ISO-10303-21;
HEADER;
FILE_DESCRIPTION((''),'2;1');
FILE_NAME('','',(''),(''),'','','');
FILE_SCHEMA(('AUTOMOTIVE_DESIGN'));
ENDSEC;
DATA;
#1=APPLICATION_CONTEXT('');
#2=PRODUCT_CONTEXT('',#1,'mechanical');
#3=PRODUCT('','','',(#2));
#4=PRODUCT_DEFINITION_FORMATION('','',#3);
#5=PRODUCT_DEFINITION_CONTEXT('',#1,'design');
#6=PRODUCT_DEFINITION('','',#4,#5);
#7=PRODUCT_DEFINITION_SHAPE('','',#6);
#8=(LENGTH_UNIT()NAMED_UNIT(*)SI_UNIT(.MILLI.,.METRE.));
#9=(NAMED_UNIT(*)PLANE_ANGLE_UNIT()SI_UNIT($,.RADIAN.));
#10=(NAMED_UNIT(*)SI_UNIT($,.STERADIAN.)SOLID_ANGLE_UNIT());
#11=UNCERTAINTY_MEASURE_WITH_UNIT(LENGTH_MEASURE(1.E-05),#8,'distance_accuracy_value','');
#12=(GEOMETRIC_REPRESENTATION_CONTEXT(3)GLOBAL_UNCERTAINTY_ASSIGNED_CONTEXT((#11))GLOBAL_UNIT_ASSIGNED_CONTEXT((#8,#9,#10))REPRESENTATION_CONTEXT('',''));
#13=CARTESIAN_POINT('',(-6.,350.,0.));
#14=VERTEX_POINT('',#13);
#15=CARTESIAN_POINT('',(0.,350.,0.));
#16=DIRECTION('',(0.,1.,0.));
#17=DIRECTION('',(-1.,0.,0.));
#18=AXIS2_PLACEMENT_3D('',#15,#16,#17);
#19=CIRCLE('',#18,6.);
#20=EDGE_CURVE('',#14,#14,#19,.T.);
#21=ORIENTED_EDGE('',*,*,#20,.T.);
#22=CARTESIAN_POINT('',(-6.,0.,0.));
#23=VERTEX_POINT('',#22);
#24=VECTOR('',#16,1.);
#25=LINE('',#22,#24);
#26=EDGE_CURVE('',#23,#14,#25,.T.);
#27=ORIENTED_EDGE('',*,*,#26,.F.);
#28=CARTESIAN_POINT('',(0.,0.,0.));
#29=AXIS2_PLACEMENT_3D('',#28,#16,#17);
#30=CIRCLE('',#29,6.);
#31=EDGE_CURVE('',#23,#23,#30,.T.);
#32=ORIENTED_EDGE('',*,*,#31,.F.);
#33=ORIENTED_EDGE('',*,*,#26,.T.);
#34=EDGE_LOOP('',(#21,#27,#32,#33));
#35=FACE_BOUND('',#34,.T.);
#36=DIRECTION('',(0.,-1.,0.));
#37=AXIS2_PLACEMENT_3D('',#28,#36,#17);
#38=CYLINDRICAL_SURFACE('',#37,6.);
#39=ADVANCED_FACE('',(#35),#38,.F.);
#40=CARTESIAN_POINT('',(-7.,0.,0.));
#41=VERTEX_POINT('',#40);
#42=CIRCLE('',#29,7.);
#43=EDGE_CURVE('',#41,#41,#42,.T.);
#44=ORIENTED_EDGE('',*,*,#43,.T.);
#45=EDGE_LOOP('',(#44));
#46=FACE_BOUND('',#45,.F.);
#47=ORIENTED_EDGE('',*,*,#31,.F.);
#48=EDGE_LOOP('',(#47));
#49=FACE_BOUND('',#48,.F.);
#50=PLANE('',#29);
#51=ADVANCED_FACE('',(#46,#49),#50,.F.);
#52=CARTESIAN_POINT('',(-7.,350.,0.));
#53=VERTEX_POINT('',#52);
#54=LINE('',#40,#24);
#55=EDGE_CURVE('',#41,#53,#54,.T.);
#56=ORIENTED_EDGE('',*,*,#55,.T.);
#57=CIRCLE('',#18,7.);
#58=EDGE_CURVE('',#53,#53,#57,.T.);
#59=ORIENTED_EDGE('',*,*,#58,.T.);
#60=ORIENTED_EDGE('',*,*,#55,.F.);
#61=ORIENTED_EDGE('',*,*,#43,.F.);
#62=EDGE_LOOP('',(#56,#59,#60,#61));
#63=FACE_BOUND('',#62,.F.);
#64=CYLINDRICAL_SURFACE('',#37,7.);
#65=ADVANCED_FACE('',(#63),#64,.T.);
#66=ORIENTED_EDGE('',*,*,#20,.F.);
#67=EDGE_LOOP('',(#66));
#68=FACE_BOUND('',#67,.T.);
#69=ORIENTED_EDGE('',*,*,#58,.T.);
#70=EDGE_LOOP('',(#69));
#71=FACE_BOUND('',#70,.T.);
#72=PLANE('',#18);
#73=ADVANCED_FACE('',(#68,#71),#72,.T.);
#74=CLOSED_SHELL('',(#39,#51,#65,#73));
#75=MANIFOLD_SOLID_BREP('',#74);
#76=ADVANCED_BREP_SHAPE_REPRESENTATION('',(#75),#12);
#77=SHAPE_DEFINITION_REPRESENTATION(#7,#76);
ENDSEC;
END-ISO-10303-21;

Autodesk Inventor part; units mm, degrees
ref_plane "YZ Plane" through (0, 0, 0) normal (1, 0, 0) x (0, 1, 0)
ref_plane "XZ Plane" through (0, 0, 0) normal (0, 1, 0) x (-1, 0, 0)
ref_plane "XY Plane" through (0, 0, 0) normal (0, 0, 1) x (1, 0, 0)
sketch "Esquisse1" plane through (0, 0, 0) normal (0, 1, 0) x (-1, 0, 0)
  circle A0 centre (0, 0) radius 7
  circle A1 centre (0, 0) radius 6
  dimension "d0" = 1
  dimension "d1" = 14
extrude "Extrusion1" add sketch "Esquisse1" along normal blind 350
properties part number "tube_carbone_mat"
